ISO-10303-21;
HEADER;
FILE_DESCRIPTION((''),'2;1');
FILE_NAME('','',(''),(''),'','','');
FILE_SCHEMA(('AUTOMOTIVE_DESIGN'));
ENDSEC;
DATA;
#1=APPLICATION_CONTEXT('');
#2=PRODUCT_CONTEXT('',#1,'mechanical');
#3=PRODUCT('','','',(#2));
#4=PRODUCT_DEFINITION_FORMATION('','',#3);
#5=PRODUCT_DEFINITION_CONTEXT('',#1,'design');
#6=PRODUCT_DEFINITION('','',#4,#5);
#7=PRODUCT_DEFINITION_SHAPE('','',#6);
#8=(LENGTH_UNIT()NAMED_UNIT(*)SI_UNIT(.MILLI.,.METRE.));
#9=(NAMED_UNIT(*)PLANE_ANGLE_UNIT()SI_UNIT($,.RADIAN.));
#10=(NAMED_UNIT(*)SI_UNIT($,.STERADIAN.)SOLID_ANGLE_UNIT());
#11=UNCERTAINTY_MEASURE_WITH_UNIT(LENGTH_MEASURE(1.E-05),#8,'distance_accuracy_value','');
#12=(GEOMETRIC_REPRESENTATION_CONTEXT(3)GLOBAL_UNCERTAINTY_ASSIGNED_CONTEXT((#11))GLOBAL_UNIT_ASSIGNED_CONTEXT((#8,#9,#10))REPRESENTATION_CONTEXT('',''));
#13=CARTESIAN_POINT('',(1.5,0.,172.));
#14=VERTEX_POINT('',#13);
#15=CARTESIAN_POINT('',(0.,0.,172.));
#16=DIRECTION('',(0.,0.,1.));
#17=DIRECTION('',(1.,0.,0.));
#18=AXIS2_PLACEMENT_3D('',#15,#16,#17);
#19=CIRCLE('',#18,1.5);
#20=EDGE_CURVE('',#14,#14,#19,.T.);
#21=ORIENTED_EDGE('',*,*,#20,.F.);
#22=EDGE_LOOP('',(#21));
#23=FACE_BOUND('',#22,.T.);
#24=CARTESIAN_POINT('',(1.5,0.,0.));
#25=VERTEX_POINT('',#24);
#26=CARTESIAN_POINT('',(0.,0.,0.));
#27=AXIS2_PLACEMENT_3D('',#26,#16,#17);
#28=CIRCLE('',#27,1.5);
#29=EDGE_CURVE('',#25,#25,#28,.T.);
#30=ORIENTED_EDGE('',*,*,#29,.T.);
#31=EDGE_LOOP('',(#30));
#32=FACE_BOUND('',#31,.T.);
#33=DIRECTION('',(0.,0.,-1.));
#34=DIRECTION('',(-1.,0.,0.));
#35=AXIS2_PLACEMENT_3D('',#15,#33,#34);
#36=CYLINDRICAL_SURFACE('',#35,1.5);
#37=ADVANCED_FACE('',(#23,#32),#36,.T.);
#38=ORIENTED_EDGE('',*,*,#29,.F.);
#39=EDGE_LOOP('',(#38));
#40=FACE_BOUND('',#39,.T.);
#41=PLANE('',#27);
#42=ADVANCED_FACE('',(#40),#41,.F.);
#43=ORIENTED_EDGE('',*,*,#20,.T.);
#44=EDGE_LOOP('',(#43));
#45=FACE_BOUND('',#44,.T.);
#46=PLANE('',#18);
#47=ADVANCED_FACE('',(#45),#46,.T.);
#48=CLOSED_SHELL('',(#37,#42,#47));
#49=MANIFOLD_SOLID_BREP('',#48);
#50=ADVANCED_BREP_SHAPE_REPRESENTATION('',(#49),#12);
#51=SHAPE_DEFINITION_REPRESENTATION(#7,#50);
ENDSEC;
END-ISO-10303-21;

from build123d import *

# Parameters (mm, degrees)
SKETCH_1_R      = 1.5
EXTRUDE_1_DEPTH = 172


with BuildPart() as part:
    # 草图1 → 凸台-拉伸1 (new body)
    with BuildSketch(Plane.XY):
        Circle(SKETCH_1_R)
    extrude(amount=EXTRUDE_1_DEPTH)


solid = part.part
